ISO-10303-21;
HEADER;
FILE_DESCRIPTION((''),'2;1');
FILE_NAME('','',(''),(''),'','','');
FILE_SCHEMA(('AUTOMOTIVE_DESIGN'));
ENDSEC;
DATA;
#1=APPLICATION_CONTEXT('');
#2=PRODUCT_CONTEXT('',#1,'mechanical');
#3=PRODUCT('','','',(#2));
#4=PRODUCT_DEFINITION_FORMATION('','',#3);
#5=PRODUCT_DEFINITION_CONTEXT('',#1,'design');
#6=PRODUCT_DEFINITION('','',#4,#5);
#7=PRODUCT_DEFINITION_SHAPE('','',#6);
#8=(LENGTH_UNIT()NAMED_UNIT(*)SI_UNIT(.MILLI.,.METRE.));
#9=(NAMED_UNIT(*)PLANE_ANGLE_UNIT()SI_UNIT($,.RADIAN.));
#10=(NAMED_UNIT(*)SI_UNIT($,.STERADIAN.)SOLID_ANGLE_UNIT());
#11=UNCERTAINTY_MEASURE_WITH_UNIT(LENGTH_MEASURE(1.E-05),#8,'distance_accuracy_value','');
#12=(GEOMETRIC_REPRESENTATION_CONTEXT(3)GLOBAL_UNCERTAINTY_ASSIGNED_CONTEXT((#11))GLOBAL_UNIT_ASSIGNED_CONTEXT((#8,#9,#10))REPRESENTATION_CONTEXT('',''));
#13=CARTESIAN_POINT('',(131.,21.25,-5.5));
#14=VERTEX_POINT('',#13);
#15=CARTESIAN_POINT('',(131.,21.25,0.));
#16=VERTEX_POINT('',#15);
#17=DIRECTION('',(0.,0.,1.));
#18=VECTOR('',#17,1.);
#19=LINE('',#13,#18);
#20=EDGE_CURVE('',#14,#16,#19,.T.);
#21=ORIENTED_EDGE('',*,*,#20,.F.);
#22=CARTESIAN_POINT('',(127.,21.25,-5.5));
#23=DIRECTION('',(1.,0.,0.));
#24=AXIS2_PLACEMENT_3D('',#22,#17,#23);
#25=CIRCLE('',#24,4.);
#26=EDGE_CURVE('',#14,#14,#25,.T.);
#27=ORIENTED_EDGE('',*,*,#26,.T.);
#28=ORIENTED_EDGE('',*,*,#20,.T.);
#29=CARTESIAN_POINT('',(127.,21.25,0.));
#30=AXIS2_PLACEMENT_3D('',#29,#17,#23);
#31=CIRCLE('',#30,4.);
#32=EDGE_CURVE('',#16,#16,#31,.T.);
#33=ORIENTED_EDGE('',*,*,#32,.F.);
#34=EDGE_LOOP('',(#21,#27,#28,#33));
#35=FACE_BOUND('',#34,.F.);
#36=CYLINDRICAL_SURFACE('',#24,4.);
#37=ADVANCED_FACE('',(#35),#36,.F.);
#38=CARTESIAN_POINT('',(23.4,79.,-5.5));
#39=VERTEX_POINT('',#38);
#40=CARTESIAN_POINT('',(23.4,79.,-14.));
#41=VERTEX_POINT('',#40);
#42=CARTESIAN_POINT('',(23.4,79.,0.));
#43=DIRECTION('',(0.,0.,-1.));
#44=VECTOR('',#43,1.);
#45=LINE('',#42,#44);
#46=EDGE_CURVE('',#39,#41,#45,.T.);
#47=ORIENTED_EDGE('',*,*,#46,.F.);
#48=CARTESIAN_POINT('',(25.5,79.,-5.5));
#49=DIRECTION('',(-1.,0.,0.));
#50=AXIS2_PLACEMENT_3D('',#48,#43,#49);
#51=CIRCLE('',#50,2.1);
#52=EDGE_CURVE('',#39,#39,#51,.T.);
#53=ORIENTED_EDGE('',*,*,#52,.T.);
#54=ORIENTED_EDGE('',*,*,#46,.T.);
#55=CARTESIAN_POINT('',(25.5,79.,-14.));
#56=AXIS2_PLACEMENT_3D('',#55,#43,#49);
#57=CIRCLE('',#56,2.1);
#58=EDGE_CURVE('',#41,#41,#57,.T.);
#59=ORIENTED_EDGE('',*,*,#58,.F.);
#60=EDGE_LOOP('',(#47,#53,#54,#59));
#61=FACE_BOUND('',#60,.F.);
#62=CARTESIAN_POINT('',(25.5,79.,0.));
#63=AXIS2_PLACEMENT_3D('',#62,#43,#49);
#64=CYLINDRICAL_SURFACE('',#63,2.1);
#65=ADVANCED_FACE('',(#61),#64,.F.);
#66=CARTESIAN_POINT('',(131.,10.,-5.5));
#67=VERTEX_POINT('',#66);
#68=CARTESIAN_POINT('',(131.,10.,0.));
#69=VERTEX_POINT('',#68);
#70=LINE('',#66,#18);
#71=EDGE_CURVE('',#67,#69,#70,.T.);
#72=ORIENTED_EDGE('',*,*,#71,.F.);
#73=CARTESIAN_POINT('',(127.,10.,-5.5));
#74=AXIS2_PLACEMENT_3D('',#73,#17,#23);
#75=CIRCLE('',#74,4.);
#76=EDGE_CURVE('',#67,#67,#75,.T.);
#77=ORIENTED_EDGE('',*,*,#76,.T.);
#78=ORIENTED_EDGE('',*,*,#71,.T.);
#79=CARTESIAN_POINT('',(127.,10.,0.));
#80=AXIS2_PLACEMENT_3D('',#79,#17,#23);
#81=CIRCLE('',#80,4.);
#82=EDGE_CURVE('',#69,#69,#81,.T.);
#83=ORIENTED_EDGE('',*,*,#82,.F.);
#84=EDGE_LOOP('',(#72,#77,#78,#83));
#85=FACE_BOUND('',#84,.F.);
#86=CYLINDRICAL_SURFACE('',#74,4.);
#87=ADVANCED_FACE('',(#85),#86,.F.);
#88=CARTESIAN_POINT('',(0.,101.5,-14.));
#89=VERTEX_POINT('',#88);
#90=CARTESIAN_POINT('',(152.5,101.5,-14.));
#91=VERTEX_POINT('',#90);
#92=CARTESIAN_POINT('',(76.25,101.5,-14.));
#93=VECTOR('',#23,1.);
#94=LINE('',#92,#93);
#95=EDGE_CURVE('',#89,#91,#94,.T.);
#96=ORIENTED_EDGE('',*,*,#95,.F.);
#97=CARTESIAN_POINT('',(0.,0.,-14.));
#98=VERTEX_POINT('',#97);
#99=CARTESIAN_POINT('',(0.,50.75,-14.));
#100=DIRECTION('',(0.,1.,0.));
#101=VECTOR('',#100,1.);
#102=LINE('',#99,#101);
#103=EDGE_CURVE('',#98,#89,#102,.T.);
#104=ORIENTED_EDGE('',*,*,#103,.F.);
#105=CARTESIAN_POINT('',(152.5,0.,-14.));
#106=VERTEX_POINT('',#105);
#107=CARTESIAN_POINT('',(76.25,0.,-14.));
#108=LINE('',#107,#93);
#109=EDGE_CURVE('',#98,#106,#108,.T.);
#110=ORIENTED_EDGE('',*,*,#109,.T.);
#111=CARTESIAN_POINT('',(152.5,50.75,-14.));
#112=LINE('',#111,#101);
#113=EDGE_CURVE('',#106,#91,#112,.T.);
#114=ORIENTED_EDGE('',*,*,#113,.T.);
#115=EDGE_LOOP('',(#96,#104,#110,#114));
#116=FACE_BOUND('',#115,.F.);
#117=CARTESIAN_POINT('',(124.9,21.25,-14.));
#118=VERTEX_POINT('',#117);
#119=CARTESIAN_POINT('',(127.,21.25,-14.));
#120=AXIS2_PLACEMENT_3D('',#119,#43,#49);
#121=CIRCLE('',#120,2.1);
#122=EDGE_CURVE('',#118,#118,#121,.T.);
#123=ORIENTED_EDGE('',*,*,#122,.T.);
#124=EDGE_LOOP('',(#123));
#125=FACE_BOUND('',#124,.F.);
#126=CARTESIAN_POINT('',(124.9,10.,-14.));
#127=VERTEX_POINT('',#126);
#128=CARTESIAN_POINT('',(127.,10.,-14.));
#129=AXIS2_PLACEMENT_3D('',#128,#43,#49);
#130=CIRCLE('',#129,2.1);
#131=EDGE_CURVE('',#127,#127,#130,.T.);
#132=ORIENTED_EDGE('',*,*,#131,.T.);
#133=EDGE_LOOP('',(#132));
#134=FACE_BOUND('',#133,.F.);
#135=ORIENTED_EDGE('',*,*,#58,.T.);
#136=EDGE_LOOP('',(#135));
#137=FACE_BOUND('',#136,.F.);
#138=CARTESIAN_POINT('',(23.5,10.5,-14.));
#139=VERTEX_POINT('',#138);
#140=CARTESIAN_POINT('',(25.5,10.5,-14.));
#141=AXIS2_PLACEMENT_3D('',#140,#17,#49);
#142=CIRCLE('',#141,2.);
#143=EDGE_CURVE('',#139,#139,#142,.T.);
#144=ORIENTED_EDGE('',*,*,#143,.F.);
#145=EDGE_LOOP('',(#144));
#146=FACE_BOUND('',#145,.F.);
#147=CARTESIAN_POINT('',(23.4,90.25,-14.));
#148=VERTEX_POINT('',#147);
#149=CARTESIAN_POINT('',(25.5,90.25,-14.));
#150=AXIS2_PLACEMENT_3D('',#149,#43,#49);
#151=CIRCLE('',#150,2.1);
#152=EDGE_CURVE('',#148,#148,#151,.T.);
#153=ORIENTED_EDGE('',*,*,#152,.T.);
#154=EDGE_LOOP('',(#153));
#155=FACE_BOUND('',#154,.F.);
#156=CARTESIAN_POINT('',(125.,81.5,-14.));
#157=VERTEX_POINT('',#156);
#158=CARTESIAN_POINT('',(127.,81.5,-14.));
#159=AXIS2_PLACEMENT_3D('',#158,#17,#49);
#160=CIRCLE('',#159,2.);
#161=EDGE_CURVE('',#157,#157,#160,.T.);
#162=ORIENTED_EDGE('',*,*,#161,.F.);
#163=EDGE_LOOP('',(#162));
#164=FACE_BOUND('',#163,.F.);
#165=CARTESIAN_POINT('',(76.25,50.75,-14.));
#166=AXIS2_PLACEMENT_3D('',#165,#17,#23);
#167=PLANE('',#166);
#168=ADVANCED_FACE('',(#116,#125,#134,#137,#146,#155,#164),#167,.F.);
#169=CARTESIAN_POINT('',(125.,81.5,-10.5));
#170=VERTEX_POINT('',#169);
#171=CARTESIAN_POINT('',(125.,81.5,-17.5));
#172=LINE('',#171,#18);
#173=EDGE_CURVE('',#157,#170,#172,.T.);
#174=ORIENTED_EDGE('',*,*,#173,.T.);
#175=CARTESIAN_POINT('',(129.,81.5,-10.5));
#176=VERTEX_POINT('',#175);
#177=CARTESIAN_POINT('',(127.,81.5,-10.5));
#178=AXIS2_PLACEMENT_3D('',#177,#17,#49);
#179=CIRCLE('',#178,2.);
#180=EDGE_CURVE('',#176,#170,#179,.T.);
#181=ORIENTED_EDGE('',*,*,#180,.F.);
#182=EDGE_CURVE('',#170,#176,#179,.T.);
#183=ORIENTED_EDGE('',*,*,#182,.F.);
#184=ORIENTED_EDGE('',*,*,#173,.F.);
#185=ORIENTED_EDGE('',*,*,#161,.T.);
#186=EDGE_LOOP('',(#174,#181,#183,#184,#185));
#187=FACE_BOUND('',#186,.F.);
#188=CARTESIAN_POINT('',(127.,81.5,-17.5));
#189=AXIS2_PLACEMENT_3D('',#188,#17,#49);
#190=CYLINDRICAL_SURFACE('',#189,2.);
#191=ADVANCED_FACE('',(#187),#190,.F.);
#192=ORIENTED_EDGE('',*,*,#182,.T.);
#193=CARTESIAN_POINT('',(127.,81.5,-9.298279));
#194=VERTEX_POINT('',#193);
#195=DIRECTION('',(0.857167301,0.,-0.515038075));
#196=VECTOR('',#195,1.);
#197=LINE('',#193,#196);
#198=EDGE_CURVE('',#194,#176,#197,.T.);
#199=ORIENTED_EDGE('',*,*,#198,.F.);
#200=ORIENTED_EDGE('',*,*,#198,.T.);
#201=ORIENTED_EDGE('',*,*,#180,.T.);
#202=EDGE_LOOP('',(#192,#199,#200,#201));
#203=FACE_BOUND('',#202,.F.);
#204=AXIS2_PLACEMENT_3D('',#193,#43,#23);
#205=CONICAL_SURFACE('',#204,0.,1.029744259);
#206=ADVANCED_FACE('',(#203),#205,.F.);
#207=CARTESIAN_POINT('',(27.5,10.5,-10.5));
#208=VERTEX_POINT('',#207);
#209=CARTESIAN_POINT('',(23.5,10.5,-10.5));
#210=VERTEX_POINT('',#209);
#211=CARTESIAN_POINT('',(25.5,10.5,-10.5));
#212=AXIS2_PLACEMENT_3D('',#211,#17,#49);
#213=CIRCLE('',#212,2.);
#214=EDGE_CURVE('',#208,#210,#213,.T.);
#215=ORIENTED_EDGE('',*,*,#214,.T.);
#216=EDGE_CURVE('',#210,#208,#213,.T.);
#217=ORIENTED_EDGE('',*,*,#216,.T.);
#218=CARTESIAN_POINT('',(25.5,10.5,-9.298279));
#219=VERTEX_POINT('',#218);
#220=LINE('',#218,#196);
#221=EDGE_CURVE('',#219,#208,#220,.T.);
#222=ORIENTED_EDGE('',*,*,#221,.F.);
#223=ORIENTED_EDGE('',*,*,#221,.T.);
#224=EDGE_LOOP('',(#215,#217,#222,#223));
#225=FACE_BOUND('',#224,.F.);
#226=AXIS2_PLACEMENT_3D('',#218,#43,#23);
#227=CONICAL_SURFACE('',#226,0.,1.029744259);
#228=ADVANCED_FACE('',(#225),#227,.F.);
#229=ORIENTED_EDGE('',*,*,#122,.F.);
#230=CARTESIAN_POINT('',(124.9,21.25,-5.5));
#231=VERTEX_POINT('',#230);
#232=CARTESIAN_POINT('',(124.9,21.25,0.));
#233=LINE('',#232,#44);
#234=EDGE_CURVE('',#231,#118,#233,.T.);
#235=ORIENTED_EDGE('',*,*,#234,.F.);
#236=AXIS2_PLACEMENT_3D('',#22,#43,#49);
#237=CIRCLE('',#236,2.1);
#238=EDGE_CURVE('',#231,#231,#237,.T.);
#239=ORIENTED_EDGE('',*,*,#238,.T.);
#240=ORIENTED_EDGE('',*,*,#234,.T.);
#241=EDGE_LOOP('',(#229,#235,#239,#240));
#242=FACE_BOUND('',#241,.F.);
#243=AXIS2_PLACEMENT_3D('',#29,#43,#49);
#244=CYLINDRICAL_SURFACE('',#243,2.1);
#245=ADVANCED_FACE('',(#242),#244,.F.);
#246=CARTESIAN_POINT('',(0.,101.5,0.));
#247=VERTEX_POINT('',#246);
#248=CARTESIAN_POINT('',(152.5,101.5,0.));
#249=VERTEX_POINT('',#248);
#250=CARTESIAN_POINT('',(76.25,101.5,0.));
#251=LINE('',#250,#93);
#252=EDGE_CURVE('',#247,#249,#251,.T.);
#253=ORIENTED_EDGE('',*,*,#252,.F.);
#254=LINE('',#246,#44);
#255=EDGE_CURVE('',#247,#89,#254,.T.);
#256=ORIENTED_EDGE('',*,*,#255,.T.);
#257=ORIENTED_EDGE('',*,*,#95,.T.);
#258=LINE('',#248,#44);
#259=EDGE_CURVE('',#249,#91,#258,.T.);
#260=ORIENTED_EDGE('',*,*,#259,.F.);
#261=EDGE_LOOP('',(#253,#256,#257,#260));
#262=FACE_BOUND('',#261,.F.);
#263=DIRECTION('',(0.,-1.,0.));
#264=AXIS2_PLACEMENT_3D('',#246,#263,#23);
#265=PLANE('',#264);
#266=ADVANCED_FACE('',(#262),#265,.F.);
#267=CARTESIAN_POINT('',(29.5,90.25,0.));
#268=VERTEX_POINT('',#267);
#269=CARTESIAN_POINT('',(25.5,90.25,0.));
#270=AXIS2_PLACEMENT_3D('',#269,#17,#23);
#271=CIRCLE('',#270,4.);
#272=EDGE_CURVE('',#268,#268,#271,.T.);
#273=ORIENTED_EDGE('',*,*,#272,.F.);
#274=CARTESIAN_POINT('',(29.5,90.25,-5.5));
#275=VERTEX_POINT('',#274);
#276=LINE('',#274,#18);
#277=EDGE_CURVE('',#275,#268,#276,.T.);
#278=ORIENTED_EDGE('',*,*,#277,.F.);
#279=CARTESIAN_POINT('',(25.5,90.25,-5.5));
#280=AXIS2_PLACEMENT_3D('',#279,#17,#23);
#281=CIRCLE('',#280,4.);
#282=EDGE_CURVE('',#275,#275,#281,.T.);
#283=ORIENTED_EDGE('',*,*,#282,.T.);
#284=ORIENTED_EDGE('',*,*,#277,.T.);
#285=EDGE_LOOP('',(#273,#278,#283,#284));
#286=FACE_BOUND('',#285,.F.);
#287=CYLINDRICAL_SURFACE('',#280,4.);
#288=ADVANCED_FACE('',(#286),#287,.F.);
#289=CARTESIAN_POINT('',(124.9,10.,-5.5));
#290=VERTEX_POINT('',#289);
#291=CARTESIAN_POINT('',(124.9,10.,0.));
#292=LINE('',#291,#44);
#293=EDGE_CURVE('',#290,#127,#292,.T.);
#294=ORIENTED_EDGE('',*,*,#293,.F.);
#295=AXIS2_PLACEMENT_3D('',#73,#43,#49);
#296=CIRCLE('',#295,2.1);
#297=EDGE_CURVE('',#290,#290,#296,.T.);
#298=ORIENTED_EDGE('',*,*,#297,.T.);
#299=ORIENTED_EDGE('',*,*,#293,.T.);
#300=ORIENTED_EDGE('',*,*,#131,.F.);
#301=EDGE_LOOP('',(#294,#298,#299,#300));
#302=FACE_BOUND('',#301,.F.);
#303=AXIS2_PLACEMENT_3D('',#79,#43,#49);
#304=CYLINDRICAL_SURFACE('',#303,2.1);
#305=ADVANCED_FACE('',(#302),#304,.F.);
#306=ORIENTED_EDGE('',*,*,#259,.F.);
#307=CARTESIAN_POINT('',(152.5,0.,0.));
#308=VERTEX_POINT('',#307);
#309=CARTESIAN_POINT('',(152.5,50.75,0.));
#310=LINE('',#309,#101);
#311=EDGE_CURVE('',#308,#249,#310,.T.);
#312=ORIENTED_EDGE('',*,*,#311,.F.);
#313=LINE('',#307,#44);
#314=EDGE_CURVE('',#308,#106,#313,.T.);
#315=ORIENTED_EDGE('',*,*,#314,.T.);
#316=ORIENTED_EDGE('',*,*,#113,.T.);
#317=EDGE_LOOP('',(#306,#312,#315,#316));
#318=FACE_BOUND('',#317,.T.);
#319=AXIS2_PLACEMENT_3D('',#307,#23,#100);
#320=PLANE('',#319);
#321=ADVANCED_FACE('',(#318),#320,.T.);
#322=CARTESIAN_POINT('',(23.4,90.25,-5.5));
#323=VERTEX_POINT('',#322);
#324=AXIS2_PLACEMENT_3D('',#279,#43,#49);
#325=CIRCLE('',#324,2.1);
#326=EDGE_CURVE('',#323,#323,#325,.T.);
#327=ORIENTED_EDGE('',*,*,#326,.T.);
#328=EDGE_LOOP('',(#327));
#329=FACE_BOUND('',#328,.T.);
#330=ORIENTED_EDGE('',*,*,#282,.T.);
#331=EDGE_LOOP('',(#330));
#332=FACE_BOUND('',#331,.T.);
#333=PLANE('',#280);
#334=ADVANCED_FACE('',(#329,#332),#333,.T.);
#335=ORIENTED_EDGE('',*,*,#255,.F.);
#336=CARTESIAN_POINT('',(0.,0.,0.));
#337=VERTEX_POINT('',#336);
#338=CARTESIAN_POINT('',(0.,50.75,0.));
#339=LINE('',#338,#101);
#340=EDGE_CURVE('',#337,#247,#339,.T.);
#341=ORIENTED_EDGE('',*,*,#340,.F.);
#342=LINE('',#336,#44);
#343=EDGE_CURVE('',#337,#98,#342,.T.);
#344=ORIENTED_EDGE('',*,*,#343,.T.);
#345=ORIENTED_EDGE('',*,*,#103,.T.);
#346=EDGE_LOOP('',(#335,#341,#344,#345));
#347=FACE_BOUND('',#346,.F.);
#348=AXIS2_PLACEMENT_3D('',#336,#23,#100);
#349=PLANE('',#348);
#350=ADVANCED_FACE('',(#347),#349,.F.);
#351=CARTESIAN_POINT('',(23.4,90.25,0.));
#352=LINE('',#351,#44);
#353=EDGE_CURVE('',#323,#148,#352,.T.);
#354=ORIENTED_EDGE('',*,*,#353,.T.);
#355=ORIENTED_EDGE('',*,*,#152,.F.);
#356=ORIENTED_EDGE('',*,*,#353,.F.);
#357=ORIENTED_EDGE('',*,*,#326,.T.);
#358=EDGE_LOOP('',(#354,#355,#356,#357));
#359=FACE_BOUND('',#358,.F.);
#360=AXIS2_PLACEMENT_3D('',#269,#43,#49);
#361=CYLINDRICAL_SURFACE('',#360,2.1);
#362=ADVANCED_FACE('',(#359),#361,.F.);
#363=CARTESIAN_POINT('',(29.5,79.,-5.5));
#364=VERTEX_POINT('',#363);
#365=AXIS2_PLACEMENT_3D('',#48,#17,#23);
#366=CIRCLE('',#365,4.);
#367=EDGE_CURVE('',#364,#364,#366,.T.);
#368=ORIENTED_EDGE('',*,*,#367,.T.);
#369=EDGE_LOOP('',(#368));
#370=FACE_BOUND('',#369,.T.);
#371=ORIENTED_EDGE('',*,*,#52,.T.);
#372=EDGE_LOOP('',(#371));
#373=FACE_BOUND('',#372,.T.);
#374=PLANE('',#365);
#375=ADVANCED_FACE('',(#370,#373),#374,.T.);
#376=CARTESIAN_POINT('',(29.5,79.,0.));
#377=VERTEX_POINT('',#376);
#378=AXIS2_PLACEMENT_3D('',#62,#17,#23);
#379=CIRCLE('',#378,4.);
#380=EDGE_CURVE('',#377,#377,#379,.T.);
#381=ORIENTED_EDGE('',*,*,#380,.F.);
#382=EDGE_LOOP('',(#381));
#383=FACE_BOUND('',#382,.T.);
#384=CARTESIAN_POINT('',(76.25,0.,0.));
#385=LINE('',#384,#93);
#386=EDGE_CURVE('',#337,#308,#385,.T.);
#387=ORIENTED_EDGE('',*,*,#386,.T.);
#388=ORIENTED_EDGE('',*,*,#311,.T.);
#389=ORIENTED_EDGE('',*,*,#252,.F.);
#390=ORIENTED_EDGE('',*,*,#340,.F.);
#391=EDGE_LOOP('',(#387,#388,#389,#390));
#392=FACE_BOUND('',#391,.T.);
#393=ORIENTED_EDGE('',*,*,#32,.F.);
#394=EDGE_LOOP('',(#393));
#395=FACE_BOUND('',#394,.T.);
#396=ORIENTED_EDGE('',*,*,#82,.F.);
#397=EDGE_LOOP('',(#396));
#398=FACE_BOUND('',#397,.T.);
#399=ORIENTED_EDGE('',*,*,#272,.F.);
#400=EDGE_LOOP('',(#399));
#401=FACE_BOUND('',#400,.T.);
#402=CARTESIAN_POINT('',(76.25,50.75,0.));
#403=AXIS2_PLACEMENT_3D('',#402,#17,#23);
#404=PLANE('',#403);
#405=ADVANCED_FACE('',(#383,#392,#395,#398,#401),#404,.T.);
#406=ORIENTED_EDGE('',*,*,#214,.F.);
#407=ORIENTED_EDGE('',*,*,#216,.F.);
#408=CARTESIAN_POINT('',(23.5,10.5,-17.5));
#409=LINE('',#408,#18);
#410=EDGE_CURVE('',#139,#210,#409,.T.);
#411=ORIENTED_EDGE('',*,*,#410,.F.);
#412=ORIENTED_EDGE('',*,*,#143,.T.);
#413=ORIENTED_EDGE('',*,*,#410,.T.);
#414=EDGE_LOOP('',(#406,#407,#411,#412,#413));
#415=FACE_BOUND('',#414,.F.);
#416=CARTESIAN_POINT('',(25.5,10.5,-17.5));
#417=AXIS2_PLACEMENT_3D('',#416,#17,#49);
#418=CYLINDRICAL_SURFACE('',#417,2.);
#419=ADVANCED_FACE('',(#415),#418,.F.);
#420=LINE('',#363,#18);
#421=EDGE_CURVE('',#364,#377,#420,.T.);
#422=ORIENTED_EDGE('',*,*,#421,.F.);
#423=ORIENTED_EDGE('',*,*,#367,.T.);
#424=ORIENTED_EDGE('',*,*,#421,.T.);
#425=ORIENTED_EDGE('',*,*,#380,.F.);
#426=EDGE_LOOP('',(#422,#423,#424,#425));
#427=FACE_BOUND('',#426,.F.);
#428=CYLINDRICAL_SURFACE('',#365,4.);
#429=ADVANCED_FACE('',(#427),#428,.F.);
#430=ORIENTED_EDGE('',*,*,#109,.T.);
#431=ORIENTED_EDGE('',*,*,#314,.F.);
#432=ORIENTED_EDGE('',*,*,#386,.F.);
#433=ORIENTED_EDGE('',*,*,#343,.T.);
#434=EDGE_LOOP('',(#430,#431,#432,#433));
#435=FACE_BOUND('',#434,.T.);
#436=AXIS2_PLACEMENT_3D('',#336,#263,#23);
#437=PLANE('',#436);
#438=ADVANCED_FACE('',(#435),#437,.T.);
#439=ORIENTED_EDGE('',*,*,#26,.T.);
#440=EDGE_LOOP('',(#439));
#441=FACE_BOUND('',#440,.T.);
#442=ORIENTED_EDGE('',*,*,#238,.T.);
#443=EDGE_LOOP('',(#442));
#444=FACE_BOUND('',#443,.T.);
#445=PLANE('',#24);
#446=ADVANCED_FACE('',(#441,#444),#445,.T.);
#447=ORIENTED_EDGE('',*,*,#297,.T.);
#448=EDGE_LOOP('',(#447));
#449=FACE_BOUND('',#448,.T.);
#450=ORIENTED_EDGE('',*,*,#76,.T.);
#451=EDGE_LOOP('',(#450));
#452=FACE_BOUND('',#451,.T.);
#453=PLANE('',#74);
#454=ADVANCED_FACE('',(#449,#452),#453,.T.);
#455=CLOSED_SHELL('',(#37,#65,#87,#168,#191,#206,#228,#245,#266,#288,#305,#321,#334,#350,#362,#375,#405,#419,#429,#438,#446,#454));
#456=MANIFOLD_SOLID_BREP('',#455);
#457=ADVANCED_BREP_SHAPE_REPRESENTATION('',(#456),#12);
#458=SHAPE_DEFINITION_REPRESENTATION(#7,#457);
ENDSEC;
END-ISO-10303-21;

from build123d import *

# Parameters (mm, degrees)
F0_W           = 152.5
F0_H           = 101.5
F1_DEPTH       = 14
F2_D           = 4.2
F2_CBORE_D     = 8
F2_CBORE_DEPTH = 5.5
F4_D           = 4
F4_DEPTH       = 3.5
F4_TIP         = 1.2017212381


with BuildPart() as f1:
    # F0 (on Top) → F1 (new body)
    with BuildSketch(Plane.XY):
        with Locations((76.25, 50.75)):
            Rectangle(F0_W, F0_H)
    extrude(amount=-F1_DEPTH)

    # F2 (through all)
    with Locations(Plane.XY):
        with Locations((127, 10), (127, 21.25), (25.5, 90.25), (25.5, 79)):
            CounterBoreHole(F2_D / 2, F2_CBORE_D / 2, F2_CBORE_DEPTH)

    # F4
    with Locations(Plane(origin=(0, 0, -14), x_dir=(1, 0, 0), z_dir=(0, 0, -1))):
        with Locations((25.5, -10.5), (127, -81.5)):
            Hole(F4_D / 2, depth=F4_DEPTH)
            with Locations((0, 0, -(F4_DEPTH + F4_TIP / 2))):  # 118° drill point
                Cone(0, F4_D / 2, F4_TIP, mode=Mode.SUBTRACT)


solid = f1.part
